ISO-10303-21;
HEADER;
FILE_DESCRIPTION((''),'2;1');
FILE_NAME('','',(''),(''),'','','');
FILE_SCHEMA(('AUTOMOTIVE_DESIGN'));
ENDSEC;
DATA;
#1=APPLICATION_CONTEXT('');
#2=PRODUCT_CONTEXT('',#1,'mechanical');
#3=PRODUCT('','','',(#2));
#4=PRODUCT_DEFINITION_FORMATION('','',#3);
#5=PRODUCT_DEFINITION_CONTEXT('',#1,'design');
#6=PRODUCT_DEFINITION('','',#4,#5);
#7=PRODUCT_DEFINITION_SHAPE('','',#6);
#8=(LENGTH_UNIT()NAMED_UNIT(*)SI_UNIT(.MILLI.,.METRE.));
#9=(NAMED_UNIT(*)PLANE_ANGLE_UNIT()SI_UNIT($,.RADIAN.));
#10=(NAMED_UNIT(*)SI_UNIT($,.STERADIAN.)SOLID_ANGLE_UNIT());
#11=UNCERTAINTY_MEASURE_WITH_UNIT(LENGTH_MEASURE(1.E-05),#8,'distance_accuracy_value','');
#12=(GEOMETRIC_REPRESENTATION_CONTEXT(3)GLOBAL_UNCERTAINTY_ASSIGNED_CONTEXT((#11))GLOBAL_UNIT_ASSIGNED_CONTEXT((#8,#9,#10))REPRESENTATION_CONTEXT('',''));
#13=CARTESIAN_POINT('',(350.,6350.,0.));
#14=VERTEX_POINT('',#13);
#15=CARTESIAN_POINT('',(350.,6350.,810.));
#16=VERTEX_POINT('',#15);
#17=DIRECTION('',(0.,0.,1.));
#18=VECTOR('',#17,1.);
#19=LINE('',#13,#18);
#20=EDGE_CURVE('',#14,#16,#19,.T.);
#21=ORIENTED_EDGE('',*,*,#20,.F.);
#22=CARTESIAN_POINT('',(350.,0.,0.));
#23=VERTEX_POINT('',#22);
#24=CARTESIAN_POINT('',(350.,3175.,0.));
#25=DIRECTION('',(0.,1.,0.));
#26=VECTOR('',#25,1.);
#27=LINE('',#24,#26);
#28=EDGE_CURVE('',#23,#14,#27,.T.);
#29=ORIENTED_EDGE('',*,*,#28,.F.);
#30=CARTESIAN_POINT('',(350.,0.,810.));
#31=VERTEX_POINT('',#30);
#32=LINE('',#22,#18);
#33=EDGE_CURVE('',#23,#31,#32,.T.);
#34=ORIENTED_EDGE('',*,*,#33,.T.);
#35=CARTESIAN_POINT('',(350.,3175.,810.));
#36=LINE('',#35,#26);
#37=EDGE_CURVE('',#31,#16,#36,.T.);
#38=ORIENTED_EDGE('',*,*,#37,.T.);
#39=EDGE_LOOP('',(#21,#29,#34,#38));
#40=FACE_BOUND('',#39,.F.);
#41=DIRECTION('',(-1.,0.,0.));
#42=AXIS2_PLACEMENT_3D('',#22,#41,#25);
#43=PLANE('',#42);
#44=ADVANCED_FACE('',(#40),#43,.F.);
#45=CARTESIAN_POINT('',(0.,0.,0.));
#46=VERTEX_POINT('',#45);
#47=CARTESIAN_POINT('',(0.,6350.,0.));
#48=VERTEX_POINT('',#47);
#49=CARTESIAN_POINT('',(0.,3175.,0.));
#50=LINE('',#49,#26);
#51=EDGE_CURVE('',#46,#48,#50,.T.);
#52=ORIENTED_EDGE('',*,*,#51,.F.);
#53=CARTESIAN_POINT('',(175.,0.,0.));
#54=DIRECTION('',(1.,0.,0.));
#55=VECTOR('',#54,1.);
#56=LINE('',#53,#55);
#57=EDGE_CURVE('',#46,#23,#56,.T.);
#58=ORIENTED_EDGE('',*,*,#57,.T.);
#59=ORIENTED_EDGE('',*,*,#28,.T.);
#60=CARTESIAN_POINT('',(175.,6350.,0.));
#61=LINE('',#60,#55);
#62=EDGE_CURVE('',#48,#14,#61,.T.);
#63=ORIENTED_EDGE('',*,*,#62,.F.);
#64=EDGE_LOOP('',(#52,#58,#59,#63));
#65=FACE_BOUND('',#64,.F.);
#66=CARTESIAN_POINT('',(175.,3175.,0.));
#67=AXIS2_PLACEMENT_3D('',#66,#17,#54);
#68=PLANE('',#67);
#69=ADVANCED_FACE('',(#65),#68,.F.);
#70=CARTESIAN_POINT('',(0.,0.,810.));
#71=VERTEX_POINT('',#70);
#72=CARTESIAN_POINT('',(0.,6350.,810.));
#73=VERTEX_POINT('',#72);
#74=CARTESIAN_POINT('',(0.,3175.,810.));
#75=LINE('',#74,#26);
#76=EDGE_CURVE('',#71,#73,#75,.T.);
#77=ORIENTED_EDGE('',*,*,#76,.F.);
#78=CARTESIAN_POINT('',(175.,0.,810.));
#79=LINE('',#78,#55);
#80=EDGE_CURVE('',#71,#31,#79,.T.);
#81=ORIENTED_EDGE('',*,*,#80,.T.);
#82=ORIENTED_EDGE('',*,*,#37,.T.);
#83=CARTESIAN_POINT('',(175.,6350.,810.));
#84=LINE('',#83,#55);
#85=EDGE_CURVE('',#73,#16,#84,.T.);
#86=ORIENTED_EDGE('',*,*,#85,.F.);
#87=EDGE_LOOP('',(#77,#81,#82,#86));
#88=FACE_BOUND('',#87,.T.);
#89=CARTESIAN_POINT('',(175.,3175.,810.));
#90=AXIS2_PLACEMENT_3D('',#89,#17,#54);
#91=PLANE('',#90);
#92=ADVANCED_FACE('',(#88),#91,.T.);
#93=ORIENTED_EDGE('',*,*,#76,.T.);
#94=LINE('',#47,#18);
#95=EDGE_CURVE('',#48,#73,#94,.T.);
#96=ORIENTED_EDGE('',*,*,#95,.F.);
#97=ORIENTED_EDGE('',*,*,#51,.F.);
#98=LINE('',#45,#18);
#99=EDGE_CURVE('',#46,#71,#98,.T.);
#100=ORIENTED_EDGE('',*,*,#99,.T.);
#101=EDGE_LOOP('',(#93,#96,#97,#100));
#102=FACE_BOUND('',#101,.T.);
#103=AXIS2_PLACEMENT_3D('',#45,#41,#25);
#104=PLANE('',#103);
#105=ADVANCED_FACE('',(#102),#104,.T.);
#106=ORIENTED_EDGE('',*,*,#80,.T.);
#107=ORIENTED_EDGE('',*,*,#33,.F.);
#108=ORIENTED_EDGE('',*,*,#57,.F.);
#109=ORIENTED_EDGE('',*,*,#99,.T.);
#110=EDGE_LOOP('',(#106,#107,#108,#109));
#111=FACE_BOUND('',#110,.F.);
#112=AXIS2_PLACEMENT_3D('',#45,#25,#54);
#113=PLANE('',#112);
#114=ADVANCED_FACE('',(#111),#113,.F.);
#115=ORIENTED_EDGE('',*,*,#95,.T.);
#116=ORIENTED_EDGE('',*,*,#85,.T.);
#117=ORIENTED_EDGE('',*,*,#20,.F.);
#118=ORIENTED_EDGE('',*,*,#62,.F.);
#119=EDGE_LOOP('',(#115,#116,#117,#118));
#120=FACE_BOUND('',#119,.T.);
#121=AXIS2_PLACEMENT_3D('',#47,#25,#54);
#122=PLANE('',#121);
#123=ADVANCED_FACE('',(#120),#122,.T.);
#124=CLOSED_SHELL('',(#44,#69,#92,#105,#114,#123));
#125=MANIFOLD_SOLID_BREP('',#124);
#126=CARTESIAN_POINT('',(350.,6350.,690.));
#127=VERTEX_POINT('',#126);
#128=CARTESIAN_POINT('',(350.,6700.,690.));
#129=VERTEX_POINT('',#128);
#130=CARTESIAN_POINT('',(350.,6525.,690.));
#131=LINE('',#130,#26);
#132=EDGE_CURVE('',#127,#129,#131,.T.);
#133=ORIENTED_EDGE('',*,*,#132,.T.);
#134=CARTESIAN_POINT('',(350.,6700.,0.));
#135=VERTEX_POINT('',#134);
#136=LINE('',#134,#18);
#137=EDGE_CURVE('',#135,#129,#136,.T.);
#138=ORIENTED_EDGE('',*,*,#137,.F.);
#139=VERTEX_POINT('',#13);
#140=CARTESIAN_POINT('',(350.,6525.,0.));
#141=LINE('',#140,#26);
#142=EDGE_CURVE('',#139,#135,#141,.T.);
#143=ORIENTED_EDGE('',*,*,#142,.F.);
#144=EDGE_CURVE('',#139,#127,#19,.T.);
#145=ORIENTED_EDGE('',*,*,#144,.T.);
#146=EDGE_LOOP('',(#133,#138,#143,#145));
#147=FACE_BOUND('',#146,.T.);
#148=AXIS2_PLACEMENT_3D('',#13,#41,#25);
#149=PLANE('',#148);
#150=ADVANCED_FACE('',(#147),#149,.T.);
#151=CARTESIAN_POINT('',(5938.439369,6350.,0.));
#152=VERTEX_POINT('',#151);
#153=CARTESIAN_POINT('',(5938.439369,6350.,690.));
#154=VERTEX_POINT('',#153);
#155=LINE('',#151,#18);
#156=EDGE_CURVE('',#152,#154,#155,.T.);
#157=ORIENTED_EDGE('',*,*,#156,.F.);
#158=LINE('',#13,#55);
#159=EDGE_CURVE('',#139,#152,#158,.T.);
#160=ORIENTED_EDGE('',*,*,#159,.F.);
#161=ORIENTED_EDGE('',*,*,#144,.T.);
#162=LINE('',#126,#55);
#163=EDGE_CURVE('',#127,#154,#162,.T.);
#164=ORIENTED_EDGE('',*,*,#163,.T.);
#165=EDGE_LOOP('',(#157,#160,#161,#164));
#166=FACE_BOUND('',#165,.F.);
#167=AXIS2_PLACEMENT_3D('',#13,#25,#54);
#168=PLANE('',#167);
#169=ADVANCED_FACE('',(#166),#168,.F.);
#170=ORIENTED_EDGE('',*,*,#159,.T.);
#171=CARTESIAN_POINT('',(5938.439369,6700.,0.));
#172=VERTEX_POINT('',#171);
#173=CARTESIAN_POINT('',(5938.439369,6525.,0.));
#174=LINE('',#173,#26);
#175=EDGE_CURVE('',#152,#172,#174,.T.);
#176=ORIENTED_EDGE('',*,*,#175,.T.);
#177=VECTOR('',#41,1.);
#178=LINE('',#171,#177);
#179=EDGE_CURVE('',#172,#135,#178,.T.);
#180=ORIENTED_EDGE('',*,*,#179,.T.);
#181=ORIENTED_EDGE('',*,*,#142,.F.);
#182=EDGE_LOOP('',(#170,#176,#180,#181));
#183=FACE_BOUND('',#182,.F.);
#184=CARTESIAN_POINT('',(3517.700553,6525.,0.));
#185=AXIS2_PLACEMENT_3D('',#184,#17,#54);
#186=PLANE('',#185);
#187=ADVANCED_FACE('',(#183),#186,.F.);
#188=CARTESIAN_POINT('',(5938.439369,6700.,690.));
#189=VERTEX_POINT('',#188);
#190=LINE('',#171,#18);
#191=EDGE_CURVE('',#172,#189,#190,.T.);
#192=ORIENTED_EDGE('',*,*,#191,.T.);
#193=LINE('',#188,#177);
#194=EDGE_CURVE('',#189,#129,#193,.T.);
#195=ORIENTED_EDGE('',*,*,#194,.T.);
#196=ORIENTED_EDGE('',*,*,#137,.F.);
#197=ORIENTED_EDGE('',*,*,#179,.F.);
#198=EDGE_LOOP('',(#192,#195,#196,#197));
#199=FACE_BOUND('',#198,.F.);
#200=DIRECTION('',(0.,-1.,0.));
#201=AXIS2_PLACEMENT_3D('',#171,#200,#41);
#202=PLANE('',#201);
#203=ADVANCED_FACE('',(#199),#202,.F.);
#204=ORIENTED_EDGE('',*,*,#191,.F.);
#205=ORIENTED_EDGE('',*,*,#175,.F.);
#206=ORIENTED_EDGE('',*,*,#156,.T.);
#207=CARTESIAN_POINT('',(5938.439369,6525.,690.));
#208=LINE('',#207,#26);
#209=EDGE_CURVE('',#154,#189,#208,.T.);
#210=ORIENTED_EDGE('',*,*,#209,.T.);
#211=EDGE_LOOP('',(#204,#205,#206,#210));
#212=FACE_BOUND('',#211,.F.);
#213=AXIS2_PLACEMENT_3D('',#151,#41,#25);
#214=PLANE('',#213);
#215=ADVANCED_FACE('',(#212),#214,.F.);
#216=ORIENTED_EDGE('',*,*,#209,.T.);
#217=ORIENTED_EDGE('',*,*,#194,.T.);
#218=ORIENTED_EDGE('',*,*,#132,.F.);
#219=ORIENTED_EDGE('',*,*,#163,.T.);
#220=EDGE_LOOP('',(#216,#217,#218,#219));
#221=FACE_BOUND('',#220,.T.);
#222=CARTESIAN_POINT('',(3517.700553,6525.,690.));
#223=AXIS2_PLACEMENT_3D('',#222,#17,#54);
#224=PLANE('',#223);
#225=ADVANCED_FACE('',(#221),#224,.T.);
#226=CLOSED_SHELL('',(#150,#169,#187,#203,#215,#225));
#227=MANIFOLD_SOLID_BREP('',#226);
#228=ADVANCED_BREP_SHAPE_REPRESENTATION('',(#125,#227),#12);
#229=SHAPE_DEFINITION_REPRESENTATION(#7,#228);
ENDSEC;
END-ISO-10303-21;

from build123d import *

# Parameters (mm, degrees)
F0_W     = 350
F0_H     = 6350
F1_DEPTH = 810
F0_W_2   = 3044.2621707916
F0_H_2   = 350
F0_W_3   = 668.4643030167
F0_W_4   = 977.1051645279
F0_W_5   = 898.6077308655
F2_DEPTH = 690


with BuildPart() as f1:
    # F0 (on Top) → F1 (new body)
    with BuildSketch(Plane.XY):
        with Locations((175, 3175)):
            Rectangle(F0_W, F0_H)
    extrude(amount=F1_DEPTH)


with BuildPart() as f2:
    # F0 (on Top) → F2 (new body)
    with BuildSketch(Plane.XY):
        with Locations((3517.7005529404, 6525)):
            Rectangle(F0_W_2, F0_H_2)
        with Locations((1661.3373160362, 6525)):
            Rectangle(F0_W_3, F0_H_2)
        with Locations((838.5525822639, 6525)):
            Rectangle(F0_W_4, F0_H_2)
        with Locations((5489.1355037689, 6525)):
            Rectangle(F0_W_5, F0_H_2)
    extrude(amount=F2_DEPTH)


solid = Compound([f1.part, f2.part])
